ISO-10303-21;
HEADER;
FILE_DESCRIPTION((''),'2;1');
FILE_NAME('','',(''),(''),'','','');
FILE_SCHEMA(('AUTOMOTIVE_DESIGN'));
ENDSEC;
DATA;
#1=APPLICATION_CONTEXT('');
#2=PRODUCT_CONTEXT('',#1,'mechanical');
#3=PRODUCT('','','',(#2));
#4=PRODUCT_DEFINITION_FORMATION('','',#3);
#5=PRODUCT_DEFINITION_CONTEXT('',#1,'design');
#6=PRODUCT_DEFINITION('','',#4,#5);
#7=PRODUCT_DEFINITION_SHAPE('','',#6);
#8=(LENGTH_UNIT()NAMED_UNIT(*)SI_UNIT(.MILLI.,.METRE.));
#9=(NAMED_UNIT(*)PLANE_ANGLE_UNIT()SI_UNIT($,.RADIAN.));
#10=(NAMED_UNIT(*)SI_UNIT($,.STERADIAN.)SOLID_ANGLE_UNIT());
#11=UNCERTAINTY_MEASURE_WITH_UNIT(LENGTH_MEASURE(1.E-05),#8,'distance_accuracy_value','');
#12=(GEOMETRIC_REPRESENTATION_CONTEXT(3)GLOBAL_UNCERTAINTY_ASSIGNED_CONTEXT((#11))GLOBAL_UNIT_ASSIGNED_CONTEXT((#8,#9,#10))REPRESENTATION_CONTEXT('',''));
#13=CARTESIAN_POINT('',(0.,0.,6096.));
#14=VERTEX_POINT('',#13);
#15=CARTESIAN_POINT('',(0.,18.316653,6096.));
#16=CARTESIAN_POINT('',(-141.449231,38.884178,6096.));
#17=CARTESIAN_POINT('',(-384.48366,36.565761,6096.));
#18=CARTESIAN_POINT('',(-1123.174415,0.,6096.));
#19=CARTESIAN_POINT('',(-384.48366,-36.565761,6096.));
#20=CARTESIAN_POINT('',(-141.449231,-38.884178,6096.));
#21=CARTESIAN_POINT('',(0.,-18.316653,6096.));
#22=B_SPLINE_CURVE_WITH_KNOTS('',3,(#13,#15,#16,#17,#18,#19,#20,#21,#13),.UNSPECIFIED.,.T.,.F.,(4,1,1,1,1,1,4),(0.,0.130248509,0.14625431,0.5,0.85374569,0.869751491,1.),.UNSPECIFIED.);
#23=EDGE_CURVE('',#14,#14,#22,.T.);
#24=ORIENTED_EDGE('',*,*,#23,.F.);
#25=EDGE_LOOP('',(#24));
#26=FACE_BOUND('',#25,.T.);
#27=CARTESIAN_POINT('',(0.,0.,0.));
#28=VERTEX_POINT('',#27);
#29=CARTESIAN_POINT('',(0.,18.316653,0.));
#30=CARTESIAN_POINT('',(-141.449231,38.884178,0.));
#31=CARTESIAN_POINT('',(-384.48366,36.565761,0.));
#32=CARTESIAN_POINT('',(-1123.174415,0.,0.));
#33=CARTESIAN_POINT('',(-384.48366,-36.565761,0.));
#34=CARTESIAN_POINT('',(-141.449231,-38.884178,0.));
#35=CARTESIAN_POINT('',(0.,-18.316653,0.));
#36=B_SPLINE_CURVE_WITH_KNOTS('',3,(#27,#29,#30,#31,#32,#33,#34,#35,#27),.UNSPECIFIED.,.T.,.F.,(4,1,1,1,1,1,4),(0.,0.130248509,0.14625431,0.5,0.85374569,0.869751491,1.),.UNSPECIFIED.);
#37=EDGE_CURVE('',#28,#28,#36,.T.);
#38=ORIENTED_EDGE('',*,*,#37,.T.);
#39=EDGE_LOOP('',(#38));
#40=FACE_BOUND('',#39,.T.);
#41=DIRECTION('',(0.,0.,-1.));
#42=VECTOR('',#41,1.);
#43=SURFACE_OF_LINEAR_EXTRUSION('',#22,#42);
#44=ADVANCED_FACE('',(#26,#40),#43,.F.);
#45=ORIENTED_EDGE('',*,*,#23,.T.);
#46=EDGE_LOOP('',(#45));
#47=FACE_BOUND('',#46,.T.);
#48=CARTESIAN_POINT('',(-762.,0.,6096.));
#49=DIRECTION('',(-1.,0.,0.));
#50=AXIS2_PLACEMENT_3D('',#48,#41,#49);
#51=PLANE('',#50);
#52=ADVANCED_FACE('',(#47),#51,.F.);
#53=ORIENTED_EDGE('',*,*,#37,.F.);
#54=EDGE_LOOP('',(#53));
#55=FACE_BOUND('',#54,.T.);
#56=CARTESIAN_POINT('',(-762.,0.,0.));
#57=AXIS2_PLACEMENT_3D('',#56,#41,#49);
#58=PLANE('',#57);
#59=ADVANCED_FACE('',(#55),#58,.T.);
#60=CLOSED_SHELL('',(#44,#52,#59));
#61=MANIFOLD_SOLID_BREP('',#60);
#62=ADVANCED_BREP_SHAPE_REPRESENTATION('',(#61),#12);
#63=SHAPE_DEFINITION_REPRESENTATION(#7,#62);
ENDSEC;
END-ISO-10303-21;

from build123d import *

# Parameters (mm, degrees)
BOSS_EXTRUDE1_DEPTH = 6096


with BuildPart() as part:
    # Sketch2 → Boss-Extrude1 (new body)
    with BuildSketch(Plane.XY):
        with BuildLine():
            add(Edge.make_bspline(
                [(0, 0), (0, 18.316652951), (-141.449231206, 38.884177777), (-384.483659546, 36.565760935), (-1123.174414544, 0), (-384.483659546, -36.565760935), (-141.449231206, -38.884177777), (0, -18.316652951), (0, 0)],
                knots=[0, 0, 0, 0, 0.130248509, 0.14625431, 0.5, 0.85374569, 0.869751491, 1, 1, 1, 1], degree=3))
        make_face()
    extrude(amount=BOSS_EXTRUDE1_DEPTH)


solid = part.part
